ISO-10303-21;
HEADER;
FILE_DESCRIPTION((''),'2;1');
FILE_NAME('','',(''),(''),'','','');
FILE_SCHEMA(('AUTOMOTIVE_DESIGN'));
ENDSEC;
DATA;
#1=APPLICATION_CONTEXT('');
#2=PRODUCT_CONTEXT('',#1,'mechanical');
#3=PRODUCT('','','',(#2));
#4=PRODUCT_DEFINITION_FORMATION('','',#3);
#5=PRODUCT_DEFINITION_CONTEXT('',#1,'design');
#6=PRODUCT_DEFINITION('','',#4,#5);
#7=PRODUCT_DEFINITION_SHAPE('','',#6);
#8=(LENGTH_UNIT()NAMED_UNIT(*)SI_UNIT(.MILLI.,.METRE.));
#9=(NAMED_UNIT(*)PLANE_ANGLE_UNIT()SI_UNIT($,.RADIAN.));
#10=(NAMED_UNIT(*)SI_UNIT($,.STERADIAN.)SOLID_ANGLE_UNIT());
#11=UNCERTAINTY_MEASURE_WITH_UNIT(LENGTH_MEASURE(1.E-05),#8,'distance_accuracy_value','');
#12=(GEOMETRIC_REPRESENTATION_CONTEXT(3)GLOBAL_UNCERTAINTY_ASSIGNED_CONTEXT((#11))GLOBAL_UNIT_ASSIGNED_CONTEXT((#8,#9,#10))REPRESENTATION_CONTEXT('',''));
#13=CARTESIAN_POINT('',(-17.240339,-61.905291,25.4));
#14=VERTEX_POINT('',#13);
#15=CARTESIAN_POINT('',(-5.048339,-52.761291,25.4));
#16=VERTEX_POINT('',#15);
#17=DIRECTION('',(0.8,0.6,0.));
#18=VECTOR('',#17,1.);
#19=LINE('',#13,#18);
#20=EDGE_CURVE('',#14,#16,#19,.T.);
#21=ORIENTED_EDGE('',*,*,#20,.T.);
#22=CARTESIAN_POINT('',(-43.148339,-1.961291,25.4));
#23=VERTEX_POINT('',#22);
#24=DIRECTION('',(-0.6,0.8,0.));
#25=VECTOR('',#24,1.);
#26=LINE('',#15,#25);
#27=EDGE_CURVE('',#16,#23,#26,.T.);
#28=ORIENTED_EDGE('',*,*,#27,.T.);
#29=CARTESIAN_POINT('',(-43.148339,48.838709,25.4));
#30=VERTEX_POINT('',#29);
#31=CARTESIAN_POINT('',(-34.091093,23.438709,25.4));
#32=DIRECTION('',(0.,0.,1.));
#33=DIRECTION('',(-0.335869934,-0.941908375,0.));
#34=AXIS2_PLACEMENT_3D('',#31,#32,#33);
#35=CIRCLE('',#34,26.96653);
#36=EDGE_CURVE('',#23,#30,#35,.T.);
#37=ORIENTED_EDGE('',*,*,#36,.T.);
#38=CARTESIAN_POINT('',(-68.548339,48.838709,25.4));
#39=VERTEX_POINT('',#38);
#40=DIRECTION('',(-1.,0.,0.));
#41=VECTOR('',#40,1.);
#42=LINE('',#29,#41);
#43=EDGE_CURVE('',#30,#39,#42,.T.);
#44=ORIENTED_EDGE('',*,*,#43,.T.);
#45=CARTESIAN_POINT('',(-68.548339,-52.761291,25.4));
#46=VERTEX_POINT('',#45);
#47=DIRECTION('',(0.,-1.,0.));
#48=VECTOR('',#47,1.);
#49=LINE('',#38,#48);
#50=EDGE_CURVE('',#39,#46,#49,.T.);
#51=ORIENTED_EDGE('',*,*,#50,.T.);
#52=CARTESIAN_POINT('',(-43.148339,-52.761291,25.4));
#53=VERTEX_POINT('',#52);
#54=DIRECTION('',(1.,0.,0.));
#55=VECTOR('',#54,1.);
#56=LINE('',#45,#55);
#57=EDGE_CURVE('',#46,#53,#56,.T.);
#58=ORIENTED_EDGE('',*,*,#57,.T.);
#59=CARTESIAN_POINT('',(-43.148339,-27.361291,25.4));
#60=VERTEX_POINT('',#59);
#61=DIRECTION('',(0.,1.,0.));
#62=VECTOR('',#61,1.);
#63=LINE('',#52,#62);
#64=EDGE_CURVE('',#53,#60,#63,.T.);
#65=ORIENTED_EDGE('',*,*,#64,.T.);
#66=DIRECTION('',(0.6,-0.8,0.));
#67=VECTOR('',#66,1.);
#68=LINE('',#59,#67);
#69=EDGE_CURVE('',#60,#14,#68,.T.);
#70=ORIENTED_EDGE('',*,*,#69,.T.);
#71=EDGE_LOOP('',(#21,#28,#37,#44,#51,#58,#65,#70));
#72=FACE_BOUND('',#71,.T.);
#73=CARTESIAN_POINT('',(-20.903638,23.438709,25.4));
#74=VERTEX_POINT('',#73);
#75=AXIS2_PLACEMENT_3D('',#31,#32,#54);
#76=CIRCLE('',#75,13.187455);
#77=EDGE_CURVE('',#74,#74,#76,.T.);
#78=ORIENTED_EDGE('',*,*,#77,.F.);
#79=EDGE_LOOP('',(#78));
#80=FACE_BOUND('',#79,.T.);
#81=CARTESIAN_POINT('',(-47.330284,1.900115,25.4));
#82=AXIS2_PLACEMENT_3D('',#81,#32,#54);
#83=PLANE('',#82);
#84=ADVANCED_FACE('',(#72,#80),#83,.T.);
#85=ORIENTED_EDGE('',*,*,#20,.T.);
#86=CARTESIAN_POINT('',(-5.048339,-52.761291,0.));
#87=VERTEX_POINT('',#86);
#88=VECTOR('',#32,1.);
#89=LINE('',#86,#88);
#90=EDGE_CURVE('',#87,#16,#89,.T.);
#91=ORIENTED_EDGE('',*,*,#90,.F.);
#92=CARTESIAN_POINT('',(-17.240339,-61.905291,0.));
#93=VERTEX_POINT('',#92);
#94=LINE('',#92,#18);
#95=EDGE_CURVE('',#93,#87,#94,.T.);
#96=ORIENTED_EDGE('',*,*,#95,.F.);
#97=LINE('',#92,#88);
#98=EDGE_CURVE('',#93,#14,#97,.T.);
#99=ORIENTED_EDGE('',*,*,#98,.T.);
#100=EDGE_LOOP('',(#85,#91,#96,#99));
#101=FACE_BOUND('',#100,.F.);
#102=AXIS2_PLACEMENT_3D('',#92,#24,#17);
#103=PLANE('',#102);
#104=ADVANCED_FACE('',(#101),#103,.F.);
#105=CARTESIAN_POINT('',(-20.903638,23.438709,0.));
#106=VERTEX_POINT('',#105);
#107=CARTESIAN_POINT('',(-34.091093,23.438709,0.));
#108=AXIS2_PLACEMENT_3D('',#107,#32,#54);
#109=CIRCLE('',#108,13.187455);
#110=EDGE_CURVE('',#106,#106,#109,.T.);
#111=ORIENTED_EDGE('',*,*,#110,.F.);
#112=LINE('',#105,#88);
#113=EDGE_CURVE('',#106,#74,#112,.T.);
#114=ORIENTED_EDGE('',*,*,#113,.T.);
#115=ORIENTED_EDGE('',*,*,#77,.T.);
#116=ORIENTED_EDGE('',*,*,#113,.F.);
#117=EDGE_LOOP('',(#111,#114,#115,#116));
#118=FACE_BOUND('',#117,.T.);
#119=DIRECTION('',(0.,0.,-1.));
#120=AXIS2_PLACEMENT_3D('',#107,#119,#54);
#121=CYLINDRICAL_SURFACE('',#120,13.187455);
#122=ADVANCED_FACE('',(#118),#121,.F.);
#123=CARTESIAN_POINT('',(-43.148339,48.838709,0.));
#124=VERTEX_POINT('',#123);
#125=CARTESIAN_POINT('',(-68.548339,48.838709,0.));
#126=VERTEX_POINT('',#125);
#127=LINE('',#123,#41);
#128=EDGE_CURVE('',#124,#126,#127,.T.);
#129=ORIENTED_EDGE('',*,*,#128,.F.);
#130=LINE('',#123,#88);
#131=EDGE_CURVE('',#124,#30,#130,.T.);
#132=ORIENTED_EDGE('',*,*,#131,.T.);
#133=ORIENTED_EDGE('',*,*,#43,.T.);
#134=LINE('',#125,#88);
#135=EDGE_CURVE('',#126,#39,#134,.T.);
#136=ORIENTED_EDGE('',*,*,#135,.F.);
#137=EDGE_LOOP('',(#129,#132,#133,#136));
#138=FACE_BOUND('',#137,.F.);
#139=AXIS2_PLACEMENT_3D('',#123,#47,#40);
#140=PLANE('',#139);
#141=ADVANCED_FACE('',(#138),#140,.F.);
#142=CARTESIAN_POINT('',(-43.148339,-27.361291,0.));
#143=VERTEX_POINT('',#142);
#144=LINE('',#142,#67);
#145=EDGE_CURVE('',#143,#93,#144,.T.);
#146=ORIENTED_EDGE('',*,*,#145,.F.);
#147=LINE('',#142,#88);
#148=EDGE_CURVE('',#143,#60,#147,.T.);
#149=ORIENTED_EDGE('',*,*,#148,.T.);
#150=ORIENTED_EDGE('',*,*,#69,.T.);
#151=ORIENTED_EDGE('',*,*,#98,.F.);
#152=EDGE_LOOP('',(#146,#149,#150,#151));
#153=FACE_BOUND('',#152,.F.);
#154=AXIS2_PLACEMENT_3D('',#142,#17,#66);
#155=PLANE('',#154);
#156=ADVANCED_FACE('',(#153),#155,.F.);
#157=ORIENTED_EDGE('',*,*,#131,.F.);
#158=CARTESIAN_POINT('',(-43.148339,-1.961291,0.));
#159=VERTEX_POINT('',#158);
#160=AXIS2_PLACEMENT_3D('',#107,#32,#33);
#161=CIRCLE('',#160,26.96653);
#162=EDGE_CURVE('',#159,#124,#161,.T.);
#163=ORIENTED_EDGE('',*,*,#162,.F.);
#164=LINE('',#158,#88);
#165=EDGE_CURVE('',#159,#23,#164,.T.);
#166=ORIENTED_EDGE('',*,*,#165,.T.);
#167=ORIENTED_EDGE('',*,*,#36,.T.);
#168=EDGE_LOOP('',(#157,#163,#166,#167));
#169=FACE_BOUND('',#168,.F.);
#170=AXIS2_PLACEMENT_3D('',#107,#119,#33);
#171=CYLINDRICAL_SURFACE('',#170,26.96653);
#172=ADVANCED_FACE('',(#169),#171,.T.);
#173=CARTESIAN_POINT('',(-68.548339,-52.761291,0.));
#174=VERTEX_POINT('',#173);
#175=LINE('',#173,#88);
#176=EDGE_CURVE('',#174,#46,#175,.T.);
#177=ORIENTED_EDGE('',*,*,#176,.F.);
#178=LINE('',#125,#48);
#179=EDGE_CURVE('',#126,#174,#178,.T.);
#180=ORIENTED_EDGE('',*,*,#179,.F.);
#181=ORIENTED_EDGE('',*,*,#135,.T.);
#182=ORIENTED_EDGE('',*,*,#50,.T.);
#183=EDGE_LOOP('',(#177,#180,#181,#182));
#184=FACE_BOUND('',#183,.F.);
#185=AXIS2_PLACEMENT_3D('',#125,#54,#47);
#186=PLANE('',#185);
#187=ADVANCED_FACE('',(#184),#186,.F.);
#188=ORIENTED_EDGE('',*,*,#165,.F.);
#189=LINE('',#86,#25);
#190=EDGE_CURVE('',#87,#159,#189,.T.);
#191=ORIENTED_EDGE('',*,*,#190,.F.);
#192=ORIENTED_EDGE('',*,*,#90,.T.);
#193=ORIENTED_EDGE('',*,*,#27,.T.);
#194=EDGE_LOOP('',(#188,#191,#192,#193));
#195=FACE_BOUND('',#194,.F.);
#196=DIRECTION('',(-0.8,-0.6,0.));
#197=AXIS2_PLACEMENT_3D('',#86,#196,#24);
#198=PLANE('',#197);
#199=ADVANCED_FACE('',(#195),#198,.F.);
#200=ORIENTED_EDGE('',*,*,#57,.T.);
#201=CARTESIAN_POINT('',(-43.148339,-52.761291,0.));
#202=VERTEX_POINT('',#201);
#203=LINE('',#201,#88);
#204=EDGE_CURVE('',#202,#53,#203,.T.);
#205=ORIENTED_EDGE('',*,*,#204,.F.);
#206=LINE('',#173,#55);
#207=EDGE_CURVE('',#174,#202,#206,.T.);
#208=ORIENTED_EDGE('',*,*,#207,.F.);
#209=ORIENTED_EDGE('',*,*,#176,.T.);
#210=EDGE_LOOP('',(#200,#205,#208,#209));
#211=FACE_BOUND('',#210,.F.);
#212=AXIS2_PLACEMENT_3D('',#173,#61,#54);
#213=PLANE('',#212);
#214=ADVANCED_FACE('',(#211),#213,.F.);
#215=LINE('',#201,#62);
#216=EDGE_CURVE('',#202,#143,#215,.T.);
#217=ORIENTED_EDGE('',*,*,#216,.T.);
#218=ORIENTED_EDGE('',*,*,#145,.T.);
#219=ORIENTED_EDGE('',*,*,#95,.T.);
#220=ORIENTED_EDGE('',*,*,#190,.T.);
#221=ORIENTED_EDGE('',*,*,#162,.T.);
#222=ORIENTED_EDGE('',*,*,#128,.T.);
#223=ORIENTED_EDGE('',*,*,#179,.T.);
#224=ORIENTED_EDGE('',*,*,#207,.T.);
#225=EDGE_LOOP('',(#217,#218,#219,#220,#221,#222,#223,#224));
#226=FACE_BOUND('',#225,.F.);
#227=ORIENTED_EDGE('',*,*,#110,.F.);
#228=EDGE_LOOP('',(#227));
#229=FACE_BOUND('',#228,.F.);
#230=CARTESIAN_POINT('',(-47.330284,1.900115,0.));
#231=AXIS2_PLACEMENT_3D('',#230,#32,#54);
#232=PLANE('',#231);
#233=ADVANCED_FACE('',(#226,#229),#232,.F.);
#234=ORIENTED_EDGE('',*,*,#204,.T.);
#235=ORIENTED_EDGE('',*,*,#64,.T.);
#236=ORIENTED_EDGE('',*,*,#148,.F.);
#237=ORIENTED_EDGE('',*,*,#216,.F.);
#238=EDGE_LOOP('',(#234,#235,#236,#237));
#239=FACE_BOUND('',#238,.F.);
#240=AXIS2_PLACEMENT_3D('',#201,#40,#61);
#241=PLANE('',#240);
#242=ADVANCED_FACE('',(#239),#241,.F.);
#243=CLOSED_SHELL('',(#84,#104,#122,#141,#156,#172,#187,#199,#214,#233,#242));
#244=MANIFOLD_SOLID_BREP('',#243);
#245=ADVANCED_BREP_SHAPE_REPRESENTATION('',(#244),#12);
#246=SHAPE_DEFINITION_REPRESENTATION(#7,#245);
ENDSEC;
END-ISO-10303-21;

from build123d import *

# Parameters (mm, degrees)
F0_R     = 13.187455
F1_DEPTH = 25.4


with BuildPart() as f1:
    # F0 (on Top) → F1 (new body)
    with BuildSketch(Plane.XY):
        with BuildLine():
            Line((-68.548339, -52.761291), (-43.148339, -52.761291))
            Line((-43.148339, -52.761291), (-43.148339, -27.361291))
            Line((-43.148339, -27.361291), (-43.148339, -1.961291))
            ThreePointArc((-43.148339, -1.961291), (-7.124563, 23.438709), (-43.148339, 48.838709))
            Line((-43.148339, 48.838709), (-68.548339, 48.838709))
            Line((-68.548339, 48.838709), (-68.548339, -52.761291))
        make_face()
        with Locations((-34.091093, 23.438709)):
            Circle(F0_R, mode=Mode.SUBTRACT)
        Polygon((-43.148339, -1.961291), (-43.148339, -27.361291), (-17.240339, -61.905291), (-5.048339, -52.761291), align=None)
    extrude(amount=F1_DEPTH)


solid = f1.part
